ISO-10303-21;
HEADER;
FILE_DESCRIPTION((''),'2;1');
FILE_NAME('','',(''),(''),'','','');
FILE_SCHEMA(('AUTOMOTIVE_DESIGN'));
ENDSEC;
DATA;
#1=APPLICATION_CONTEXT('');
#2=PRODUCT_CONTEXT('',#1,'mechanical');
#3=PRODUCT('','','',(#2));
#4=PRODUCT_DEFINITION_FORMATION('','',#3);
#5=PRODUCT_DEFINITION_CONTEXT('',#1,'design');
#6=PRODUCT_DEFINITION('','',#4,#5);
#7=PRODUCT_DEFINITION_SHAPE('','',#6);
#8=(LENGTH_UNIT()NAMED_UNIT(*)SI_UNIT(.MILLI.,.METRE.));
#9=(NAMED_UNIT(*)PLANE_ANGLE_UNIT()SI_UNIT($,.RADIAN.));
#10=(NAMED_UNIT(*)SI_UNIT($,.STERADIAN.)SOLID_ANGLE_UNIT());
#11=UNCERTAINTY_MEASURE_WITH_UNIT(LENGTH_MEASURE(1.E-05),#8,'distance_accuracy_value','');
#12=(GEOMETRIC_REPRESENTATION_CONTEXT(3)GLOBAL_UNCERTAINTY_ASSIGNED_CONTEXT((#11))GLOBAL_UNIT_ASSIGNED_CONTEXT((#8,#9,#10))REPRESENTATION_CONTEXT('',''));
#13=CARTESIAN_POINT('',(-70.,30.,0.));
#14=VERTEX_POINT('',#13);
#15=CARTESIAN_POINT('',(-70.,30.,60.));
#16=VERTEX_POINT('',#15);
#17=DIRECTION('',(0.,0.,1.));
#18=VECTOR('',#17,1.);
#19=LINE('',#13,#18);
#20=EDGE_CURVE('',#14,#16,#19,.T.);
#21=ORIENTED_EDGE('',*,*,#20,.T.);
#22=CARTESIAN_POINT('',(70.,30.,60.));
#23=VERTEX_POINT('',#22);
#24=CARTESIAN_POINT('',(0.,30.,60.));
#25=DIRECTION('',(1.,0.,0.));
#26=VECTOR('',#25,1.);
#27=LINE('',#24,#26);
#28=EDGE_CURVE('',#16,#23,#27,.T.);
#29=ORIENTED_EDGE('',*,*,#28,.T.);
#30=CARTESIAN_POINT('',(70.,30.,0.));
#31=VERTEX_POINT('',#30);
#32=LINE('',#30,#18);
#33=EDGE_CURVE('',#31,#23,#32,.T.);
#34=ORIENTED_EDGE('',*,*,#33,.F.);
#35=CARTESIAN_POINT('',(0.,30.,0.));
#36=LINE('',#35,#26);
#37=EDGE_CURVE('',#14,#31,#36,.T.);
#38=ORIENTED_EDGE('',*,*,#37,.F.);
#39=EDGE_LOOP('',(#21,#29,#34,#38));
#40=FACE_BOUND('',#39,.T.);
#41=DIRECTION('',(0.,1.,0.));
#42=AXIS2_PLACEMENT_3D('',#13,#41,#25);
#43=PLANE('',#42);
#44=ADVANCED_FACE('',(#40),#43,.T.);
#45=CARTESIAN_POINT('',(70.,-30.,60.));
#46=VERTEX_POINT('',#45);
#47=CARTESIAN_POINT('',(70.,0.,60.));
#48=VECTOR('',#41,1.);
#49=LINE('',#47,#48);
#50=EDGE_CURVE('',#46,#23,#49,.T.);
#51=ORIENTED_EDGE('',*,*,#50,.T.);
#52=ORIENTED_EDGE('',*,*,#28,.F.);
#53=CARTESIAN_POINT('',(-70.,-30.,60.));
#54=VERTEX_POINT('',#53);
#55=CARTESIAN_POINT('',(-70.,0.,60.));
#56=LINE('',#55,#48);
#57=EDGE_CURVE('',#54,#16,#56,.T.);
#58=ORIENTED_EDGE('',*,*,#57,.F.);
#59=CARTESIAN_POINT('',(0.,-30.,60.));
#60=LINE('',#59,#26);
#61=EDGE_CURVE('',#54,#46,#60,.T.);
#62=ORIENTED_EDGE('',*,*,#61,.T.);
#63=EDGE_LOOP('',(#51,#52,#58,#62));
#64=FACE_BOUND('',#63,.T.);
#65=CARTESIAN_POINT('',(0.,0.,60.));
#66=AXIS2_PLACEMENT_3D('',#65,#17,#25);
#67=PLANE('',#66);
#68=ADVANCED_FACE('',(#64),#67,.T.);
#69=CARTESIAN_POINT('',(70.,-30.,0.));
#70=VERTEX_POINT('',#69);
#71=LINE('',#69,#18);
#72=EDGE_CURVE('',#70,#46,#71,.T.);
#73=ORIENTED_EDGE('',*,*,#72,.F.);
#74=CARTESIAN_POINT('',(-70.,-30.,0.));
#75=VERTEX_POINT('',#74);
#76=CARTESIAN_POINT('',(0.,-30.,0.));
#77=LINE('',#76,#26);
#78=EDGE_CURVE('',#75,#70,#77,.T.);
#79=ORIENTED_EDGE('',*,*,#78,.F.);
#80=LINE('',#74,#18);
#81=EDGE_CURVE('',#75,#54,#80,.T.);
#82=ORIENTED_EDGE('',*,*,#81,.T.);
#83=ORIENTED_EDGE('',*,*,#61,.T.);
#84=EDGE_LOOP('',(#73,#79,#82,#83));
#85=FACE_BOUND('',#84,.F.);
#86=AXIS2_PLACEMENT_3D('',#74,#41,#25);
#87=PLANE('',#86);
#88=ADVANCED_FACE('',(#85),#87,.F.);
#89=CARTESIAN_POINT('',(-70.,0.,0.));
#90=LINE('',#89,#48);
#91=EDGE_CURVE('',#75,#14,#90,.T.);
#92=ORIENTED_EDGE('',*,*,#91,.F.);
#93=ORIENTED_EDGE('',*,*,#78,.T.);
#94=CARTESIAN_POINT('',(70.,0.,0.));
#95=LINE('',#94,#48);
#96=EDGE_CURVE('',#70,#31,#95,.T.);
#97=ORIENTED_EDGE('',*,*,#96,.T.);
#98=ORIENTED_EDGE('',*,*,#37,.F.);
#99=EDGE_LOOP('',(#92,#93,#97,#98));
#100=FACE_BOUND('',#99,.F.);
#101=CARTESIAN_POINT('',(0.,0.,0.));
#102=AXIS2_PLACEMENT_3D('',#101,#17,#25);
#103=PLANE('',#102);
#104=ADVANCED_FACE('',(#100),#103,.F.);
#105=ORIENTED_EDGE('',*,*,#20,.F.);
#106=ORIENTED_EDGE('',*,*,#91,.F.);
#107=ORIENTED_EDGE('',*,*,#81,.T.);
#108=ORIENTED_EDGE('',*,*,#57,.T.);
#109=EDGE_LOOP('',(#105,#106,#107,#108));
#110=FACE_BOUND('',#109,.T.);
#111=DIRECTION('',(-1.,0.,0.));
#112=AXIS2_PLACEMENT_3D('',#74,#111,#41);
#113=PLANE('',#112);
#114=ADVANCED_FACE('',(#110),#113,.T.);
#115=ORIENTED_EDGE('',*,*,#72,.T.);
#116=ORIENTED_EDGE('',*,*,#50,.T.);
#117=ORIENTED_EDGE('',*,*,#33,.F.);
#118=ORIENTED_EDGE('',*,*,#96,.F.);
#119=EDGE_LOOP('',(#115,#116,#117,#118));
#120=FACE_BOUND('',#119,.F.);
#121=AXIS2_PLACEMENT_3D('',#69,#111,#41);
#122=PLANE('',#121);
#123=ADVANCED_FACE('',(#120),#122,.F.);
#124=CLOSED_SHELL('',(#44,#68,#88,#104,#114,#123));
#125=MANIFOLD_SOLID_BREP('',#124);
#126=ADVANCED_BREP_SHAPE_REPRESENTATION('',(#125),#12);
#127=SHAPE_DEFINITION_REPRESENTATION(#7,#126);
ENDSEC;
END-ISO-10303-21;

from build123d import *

# Parameters (mm, degrees)
F0_W     = 140
F0_H     = 60
F1_DEPTH = 60
F2_R     = 10.080866
F3_DEPTH = 18


with BuildPart() as f1:
    # F0 (on Top) → F1 (new body)
    with BuildSketch(Plane.XY):
        Rectangle(F0_W, F0_H)
    extrude(amount=F1_DEPTH)

    # F2 (on face) → F3 (cut)
    with BuildSketch(Plane.XY.offset(60)):
        Circle(F2_R)
    extrude(amount=F3_DEPTH, mode=Mode.SUBTRACT)


solid = f1.part
